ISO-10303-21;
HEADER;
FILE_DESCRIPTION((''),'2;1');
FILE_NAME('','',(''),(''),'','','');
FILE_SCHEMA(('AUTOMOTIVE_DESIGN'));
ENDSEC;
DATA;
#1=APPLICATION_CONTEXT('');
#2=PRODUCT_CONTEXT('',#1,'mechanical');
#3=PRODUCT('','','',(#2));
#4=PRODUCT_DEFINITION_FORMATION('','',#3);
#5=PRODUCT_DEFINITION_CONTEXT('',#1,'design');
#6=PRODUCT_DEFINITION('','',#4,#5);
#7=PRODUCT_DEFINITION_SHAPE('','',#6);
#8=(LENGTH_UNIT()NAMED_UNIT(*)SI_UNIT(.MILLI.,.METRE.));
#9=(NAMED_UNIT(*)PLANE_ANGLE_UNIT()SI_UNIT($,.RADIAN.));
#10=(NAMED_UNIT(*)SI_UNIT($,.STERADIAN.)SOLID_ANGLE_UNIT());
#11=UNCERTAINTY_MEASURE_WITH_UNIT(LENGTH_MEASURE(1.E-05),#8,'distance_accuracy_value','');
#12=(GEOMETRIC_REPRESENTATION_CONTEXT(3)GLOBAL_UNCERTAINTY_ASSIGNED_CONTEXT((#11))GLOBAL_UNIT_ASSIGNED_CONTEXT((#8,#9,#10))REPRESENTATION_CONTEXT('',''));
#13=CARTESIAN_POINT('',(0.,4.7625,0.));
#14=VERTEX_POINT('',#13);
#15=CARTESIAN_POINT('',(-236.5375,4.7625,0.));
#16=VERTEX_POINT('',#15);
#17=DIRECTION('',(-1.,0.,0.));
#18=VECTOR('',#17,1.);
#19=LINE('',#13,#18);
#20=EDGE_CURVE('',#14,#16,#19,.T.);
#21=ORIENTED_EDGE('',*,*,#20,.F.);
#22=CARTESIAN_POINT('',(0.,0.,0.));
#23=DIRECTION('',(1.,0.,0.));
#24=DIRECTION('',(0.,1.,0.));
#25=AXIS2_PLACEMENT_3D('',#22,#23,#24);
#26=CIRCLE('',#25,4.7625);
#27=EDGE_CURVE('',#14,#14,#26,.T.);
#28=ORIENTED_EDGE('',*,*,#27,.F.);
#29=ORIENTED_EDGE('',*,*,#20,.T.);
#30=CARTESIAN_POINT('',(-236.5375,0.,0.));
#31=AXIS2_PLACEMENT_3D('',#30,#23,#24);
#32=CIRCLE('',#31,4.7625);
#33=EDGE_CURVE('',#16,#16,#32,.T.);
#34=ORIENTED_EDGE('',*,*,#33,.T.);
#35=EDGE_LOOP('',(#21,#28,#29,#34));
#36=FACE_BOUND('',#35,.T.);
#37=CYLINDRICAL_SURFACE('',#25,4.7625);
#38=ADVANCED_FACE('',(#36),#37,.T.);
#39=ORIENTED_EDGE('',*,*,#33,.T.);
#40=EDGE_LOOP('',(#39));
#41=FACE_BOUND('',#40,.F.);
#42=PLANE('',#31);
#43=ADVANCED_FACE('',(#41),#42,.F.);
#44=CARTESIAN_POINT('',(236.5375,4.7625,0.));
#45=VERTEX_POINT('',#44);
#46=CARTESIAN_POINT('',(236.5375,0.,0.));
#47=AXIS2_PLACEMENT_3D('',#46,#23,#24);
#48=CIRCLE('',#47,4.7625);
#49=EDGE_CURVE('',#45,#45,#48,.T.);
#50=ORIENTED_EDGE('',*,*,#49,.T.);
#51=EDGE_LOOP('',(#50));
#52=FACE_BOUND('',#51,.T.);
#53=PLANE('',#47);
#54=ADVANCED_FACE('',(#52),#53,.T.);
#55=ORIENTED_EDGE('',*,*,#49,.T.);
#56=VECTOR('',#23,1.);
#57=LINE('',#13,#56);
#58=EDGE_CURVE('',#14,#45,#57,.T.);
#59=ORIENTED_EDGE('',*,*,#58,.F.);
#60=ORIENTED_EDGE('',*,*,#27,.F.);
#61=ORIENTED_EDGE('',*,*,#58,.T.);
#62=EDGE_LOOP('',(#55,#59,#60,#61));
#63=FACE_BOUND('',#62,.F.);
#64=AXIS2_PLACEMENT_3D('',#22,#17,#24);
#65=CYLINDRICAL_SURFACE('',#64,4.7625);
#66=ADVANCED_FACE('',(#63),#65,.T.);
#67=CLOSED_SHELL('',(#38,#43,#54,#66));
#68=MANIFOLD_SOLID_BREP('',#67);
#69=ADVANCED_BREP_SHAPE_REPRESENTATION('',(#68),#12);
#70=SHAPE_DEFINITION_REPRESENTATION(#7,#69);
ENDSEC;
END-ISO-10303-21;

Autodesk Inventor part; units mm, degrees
ref_plane "YZ Plane" through (0, 0, 0) normal (1, 0, 0) x (0, 1, 0)
ref_plane "XZ Plane" through (0, 0, 0) normal (0, 1, 0) x (-1, 0, 0)
ref_plane "XY Plane" through (0, 0, 0) normal (0, 0, 1) x (1, 0, 0)
sketch "Sketch1" plane through (0, 0, 0) normal (1, 0, 0) x (0, 1, 0)
  circle A0 centre (0, 0) radius 4.7625
  dimension "d0" = 9.525
extrude "Extrusion1" add sketch "Sketch1" along normal mid plane 473.075
properties part number "3_8_Rod"
